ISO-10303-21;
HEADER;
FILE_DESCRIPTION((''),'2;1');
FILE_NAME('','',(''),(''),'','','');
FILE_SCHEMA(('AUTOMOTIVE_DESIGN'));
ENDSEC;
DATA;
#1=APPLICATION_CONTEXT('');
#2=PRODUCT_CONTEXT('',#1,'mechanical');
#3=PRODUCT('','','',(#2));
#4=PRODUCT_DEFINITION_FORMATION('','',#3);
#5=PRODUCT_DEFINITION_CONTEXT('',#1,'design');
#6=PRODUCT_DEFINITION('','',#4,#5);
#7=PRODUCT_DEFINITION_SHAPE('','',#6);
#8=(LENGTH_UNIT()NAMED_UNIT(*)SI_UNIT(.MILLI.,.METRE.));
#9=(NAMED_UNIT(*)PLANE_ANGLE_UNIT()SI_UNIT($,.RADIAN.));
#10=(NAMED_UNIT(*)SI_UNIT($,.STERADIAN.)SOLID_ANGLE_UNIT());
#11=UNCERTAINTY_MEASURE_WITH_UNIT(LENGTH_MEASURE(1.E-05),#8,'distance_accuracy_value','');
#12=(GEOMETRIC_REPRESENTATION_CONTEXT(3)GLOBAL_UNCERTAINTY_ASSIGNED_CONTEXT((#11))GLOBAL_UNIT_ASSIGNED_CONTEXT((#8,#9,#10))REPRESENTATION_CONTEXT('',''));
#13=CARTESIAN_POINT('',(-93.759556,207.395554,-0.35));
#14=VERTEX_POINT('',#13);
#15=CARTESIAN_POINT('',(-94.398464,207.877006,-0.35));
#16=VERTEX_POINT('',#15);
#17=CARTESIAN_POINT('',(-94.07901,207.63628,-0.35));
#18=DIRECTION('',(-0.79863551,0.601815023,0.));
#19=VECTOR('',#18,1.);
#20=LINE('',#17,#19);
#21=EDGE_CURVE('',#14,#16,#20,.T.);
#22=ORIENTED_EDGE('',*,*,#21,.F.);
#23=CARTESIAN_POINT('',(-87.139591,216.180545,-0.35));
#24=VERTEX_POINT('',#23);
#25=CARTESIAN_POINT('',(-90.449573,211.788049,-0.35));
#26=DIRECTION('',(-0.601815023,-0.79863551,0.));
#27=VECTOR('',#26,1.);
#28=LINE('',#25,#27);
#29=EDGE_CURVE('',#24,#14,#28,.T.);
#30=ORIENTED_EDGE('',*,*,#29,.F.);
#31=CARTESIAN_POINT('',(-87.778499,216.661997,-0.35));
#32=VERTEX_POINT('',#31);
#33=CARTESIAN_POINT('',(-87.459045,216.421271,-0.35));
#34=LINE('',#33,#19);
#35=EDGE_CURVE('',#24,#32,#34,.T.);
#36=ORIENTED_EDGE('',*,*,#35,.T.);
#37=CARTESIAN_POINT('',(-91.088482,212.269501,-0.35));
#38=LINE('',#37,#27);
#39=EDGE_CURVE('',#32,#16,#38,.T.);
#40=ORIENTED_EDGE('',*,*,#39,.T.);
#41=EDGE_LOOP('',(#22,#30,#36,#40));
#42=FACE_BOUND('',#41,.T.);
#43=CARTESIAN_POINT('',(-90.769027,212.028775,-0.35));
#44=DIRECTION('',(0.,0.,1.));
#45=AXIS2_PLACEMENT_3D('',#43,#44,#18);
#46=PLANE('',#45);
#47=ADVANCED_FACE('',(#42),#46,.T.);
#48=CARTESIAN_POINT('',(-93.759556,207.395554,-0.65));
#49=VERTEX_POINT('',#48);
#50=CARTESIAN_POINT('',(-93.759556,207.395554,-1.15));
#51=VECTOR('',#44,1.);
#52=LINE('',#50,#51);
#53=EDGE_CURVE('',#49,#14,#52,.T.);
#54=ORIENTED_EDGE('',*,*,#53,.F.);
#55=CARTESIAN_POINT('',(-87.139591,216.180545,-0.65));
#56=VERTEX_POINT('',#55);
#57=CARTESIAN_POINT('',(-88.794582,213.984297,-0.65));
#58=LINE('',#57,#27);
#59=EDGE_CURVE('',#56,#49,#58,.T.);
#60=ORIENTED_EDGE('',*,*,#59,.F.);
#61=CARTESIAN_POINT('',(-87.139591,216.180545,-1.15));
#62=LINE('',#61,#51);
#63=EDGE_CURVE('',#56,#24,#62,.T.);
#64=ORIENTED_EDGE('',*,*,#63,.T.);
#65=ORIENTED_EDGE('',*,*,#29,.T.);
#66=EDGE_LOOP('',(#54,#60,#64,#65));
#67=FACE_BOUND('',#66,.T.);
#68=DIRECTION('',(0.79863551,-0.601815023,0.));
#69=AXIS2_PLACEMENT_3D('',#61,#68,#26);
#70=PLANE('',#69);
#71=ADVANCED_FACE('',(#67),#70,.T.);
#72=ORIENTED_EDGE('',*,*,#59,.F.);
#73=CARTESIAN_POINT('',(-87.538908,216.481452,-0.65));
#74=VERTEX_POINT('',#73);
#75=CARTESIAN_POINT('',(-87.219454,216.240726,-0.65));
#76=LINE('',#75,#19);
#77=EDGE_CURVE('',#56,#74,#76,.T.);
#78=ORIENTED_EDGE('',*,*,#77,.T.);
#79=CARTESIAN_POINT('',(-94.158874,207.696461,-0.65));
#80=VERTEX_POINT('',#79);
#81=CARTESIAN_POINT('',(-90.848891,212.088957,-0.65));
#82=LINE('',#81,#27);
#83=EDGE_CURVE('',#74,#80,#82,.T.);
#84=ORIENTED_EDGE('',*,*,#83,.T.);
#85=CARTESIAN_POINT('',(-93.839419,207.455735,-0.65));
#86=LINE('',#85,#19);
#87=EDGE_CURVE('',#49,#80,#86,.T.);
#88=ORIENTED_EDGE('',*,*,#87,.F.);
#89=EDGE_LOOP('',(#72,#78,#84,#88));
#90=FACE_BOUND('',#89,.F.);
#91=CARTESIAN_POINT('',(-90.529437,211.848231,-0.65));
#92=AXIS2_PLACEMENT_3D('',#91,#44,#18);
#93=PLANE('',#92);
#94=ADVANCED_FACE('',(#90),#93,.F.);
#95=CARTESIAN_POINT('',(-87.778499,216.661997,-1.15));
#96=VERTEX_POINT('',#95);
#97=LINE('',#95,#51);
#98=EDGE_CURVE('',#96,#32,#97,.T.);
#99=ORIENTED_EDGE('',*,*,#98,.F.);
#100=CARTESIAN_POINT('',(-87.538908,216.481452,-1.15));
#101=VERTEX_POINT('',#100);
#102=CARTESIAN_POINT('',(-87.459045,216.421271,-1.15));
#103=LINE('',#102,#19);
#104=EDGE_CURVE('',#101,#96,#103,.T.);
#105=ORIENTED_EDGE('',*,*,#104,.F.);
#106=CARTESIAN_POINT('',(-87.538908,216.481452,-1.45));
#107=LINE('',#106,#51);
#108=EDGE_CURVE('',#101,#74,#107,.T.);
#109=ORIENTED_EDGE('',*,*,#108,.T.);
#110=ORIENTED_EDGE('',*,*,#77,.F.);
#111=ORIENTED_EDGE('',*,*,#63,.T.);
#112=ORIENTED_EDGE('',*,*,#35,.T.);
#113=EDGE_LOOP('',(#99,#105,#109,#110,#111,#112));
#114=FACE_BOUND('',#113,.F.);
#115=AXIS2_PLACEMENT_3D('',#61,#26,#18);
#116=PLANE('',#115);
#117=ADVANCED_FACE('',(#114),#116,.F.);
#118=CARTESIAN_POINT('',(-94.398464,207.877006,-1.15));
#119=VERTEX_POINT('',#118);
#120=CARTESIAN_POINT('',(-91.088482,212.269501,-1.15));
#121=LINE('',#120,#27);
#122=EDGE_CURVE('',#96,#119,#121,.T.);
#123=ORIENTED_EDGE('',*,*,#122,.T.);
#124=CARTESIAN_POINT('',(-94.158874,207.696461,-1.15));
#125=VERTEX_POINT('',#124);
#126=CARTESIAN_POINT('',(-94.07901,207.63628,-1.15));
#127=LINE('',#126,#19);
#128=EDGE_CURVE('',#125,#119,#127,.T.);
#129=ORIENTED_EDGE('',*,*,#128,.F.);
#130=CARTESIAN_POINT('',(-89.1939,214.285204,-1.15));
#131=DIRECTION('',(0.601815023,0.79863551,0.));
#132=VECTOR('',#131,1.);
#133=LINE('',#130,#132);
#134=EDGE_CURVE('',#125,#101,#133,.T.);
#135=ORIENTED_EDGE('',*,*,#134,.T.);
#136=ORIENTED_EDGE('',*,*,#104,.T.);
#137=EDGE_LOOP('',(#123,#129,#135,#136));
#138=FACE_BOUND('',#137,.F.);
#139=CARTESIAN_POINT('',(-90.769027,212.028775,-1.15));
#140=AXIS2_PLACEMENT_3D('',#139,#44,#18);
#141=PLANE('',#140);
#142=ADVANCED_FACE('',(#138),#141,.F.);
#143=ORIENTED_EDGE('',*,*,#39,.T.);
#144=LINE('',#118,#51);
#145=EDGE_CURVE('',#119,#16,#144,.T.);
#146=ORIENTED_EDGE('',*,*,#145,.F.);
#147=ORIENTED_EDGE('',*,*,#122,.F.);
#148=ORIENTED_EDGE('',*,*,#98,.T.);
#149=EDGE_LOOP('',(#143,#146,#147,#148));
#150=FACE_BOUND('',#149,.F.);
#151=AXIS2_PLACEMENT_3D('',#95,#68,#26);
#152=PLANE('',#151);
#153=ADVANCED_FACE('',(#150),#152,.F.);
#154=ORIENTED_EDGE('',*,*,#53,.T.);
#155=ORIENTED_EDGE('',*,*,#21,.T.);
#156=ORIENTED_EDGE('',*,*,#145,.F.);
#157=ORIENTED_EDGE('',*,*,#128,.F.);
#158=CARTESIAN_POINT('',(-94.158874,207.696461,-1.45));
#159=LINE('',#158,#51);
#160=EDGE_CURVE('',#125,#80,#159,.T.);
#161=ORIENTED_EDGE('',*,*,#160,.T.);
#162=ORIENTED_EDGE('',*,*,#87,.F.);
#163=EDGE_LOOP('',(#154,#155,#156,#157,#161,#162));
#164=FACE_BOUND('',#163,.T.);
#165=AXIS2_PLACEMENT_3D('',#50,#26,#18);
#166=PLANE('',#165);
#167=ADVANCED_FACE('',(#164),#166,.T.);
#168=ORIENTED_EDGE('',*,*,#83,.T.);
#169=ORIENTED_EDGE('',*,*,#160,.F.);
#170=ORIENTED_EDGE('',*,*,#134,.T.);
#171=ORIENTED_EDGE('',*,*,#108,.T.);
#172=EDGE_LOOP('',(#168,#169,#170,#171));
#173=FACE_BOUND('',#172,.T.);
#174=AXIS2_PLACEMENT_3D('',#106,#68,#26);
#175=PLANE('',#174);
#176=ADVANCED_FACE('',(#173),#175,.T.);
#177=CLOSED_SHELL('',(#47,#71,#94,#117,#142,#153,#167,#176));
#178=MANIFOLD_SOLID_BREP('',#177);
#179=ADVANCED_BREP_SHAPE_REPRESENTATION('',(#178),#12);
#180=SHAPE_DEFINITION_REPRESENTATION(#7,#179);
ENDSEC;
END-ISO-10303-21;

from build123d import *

# Parameters (mm, degrees)
BOX193_W               = 0.8
BOX193_H               = 11
BOX193_DEPTH           = 0.8
BOX194_W               = 0.8
BOX194_H               = 11
BOX194_DEPTH           = 0.8
CUT100_PLACEMENT_ANGLE = 143


with BuildPart() as cubo193:
    # Box193 → Box193 (new body)
    with BuildSketch(Plane.XY):
        with Locations((0.4, 5.5)):
            Rectangle(BOX193_W, BOX193_H)
    extrude(amount=BOX193_DEPTH)


with BuildPart() as perfil_l_2da_cara042:
    # Box194 → Box194 (new body)
    with BuildSketch(Plane(origin=(0.3, 0, 0.3), x_dir=(1, 0, 0), z_dir=(0, 0, 1))):
        with Locations((0.4, 5.5)):
            Rectangle(BOX194_W, BOX194_H)
    extrude(amount=BOX194_DEPTH)

    # Cut100: cut Cubo193
    add(cubo193.part, mode=Mode.SUBTRACT)


with BuildPart() as perfil_l_2da_cara042_1:
    # Cut100 placement: moved
    add(perfil_l_2da_cara042.part.moved(Location((-86.9, 216, -1.45))).rotate(Axis((-86.9, 216, -1.45), (0, 0, 1)), CUT100_PLACEMENT_ANGLE))


solid = perfil_l_2da_cara042_1.part
